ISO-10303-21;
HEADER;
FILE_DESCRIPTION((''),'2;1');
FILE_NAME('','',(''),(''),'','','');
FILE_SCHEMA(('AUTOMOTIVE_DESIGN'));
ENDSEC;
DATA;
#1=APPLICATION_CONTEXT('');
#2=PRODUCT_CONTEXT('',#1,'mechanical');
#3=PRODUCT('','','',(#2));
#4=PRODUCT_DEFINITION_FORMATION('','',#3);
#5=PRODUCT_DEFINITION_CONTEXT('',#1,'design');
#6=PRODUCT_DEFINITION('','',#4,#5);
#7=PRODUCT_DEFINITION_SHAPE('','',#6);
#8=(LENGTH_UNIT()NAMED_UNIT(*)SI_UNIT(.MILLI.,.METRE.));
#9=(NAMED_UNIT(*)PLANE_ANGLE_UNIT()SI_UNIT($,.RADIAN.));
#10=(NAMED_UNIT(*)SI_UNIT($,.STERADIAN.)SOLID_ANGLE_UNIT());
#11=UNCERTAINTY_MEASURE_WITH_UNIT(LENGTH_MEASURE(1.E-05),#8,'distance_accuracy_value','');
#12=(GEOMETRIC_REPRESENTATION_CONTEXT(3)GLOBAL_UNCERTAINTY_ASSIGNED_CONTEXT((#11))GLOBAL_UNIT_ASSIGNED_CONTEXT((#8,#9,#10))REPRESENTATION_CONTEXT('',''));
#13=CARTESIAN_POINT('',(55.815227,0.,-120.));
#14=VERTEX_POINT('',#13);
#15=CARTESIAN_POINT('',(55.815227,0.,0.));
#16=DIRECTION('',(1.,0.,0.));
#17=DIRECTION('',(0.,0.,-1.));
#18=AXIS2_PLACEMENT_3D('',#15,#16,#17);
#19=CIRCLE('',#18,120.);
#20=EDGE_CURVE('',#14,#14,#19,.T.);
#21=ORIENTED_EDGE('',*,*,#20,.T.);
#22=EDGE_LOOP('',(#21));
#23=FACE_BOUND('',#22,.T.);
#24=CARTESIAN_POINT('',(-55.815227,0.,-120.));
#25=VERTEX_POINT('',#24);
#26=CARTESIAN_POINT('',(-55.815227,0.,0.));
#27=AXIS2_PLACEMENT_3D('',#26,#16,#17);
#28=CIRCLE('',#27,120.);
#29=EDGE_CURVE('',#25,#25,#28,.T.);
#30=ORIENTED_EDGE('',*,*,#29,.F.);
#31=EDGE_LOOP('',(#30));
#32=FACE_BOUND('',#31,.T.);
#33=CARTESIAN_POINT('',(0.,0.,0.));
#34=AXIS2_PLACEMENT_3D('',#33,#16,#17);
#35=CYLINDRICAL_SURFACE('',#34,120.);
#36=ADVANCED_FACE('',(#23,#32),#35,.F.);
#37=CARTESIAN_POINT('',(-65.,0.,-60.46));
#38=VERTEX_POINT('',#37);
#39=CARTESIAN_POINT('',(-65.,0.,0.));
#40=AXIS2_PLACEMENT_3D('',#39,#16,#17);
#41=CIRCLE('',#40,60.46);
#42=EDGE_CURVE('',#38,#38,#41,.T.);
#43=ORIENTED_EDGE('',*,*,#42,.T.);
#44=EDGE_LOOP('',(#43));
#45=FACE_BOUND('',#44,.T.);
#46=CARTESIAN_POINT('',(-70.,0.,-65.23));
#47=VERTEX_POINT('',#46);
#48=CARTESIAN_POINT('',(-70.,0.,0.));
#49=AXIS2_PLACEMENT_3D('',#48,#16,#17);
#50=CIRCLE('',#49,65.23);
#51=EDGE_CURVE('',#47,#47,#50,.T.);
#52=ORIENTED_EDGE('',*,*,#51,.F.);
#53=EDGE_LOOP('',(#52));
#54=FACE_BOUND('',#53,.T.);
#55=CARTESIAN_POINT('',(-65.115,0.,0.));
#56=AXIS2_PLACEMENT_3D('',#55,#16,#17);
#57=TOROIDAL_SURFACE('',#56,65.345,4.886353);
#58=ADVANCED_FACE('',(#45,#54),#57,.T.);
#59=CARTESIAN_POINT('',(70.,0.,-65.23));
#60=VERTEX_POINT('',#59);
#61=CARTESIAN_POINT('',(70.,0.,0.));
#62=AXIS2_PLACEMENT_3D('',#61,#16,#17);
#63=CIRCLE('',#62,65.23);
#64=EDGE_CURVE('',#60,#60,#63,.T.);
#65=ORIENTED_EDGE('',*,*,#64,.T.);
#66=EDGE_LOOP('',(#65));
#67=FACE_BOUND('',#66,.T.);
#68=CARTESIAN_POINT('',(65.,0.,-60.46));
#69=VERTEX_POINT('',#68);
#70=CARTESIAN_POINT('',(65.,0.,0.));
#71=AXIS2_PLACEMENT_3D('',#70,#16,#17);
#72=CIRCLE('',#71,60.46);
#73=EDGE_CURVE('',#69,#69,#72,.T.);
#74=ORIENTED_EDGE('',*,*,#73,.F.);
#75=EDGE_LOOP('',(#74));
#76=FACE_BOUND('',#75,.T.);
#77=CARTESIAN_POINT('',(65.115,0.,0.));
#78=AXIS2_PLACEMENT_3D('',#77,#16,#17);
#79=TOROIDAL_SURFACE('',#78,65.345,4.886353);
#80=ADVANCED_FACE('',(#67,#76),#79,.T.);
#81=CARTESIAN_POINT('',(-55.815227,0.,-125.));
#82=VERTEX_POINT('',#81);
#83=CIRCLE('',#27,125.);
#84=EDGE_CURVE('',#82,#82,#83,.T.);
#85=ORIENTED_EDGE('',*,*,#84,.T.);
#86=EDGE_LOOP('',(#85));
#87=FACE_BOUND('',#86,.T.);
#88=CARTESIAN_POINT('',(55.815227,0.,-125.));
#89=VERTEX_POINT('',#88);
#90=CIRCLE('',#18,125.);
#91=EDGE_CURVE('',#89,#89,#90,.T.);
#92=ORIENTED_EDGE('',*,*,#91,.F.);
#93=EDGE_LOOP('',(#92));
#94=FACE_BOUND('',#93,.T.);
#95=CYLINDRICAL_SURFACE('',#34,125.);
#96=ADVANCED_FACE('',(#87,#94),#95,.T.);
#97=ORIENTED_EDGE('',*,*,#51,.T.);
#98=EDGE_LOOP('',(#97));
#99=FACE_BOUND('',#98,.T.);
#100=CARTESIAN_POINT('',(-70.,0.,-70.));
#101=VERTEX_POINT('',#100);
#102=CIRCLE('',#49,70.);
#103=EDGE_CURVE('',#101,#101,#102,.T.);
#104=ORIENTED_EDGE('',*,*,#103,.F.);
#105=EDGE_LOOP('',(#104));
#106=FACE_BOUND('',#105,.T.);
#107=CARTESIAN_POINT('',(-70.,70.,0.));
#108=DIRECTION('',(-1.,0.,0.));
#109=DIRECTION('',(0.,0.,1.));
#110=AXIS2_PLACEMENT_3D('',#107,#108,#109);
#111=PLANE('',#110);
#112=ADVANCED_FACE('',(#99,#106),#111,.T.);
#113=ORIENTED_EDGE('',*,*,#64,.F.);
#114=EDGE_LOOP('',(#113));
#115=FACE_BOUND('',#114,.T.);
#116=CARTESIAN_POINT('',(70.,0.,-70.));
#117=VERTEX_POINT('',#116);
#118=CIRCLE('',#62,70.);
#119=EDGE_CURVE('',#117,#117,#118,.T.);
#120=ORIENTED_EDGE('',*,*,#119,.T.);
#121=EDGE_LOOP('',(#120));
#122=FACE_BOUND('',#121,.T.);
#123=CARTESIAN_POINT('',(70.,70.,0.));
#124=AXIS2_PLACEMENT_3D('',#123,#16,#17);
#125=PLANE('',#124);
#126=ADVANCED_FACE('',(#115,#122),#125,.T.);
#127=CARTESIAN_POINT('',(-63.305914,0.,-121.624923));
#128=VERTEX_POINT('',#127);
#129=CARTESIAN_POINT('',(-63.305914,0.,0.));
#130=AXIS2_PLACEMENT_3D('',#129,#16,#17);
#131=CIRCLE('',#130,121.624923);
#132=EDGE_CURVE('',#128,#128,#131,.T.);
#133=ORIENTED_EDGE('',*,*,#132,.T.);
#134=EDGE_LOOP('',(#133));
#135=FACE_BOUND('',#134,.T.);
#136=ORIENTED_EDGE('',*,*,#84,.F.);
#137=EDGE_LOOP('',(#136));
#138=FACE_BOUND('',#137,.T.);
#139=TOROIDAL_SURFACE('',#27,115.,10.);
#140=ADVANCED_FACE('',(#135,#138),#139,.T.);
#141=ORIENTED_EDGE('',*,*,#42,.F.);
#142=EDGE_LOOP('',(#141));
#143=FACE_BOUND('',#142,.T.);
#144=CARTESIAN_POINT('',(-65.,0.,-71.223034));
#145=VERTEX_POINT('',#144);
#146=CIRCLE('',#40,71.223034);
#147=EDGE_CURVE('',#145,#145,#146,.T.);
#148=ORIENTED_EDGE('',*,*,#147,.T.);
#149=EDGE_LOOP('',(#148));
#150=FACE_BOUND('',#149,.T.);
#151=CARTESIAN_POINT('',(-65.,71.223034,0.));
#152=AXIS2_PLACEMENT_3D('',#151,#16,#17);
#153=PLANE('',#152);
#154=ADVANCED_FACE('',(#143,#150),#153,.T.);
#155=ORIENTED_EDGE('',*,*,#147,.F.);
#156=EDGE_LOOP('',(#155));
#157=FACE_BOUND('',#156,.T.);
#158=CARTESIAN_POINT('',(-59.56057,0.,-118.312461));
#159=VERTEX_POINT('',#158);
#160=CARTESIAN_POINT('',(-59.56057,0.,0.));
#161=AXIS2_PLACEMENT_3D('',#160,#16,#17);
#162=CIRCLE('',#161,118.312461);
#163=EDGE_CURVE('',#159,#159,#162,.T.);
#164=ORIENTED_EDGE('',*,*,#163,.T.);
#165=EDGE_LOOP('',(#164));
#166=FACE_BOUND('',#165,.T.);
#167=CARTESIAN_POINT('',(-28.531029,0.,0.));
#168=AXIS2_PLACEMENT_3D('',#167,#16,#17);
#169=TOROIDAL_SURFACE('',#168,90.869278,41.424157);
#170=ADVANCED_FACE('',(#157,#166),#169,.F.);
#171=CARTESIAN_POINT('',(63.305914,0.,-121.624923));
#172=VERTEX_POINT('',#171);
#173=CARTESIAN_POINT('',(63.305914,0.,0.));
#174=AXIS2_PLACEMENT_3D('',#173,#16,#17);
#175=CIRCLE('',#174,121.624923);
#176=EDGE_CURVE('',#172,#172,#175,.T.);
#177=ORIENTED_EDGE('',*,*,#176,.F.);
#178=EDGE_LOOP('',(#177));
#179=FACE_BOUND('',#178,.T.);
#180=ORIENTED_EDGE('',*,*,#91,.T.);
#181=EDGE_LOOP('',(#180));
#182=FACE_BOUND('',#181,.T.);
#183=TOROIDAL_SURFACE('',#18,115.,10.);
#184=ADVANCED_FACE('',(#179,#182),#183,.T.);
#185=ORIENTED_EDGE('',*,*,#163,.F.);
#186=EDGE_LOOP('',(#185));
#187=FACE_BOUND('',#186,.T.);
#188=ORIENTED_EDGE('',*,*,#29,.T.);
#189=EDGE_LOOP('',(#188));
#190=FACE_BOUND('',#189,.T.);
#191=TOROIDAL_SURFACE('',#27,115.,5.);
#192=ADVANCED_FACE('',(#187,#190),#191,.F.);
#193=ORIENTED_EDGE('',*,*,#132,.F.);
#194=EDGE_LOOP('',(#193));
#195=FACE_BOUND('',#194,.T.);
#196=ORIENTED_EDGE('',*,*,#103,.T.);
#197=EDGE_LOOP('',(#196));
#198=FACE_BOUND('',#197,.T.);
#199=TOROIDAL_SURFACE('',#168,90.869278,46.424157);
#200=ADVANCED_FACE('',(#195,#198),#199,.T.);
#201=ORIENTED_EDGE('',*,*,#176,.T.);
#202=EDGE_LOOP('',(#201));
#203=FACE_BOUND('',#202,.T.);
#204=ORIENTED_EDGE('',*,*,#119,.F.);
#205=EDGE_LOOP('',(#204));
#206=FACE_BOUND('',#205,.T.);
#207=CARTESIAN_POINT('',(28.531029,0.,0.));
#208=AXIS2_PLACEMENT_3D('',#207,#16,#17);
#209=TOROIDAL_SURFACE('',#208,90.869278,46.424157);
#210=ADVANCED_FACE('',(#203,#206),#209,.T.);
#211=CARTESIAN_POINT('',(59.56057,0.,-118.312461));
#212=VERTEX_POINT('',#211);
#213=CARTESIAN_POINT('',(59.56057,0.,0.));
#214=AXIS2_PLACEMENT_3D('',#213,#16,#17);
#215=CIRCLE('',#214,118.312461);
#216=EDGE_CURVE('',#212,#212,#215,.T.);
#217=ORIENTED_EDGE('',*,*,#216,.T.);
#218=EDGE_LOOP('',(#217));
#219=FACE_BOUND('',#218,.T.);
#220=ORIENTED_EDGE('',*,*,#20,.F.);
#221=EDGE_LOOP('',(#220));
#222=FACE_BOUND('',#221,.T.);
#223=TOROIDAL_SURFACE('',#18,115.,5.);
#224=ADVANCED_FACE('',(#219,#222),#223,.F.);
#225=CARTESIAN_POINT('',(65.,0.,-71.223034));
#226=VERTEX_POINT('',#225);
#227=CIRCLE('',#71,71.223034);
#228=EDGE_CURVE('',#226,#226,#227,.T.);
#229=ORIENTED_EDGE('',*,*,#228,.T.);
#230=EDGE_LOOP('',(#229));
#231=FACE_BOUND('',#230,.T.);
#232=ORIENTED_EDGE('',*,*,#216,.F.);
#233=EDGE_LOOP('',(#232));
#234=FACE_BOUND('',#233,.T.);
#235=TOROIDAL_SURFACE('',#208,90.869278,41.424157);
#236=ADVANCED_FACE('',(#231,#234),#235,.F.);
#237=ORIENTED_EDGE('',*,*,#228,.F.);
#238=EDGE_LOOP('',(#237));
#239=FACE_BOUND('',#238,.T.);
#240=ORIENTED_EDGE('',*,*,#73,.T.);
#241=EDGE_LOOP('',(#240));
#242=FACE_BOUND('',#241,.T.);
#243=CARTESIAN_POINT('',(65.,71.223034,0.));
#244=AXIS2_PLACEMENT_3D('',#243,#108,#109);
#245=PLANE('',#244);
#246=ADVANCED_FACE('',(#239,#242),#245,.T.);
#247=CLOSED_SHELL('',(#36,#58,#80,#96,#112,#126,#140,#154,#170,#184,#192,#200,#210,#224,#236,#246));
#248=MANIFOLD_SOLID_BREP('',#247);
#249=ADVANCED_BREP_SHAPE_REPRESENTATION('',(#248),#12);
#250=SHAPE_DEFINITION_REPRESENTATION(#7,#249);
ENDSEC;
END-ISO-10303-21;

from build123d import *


with BuildPart() as part:
    # Sketch1 → Revolve1 (revolve)
    with BuildSketch(Plane.XY):
        with BuildLine():
            Line((-70, 70), (-70, 65.23))
            ThreePointArc((-70, 65.23), (-68.487899346, 61.809466094), (-65, 60.46))
            Line((-65, 60.46), (-65, 71.223033879))
            ThreePointArc((-65, 71.223033879), (-69.681555571, 95.622688733), (-59.560570448, 118.312461312))
            ThreePointArc((-59.560570448, 118.312461312), (-57.8692098, 119.558635024), (-55.815226664, 120))
            Line((-55.815226664, 120), (0, 120))
            Line((0, 120), (55.815226664, 120))
            ThreePointArc((55.815226664, 120), (57.8692098, 119.558635024), (59.560570448, 118.312461312))
            ThreePointArc((59.560570448, 118.312461312), (69.681555571, 95.622688733), (65, 71.223033879))
            Line((65, 71.223033879), (65, 60.46))
            ThreePointArc((65, 60.46), (68.487899346, 61.809466094), (70, 65.23))
            Line((70, 65.23), (70, 70))
            ThreePointArc((70, 70), (74.569757908, 96.839014783), (63.305914232, 121.624922623))
            ThreePointArc((63.305914232, 121.624922623), (59.923192935, 124.117270047), (55.815226664, 125))
            Line((55.815226664, 125), (0, 125))
            Line((0, 125), (-55.815226664, 125))
            ThreePointArc((-55.815226664, 125), (-59.923192935, 124.117270047), (-63.305914232, 121.624922623))
            ThreePointArc((-63.305914232, 121.624922623), (-74.569757908, 96.839014783), (-70, 70))
        make_face()
    revolve(axis=Axis((0, 0, 0), (-1, 0, 0)))


solid = part.part
